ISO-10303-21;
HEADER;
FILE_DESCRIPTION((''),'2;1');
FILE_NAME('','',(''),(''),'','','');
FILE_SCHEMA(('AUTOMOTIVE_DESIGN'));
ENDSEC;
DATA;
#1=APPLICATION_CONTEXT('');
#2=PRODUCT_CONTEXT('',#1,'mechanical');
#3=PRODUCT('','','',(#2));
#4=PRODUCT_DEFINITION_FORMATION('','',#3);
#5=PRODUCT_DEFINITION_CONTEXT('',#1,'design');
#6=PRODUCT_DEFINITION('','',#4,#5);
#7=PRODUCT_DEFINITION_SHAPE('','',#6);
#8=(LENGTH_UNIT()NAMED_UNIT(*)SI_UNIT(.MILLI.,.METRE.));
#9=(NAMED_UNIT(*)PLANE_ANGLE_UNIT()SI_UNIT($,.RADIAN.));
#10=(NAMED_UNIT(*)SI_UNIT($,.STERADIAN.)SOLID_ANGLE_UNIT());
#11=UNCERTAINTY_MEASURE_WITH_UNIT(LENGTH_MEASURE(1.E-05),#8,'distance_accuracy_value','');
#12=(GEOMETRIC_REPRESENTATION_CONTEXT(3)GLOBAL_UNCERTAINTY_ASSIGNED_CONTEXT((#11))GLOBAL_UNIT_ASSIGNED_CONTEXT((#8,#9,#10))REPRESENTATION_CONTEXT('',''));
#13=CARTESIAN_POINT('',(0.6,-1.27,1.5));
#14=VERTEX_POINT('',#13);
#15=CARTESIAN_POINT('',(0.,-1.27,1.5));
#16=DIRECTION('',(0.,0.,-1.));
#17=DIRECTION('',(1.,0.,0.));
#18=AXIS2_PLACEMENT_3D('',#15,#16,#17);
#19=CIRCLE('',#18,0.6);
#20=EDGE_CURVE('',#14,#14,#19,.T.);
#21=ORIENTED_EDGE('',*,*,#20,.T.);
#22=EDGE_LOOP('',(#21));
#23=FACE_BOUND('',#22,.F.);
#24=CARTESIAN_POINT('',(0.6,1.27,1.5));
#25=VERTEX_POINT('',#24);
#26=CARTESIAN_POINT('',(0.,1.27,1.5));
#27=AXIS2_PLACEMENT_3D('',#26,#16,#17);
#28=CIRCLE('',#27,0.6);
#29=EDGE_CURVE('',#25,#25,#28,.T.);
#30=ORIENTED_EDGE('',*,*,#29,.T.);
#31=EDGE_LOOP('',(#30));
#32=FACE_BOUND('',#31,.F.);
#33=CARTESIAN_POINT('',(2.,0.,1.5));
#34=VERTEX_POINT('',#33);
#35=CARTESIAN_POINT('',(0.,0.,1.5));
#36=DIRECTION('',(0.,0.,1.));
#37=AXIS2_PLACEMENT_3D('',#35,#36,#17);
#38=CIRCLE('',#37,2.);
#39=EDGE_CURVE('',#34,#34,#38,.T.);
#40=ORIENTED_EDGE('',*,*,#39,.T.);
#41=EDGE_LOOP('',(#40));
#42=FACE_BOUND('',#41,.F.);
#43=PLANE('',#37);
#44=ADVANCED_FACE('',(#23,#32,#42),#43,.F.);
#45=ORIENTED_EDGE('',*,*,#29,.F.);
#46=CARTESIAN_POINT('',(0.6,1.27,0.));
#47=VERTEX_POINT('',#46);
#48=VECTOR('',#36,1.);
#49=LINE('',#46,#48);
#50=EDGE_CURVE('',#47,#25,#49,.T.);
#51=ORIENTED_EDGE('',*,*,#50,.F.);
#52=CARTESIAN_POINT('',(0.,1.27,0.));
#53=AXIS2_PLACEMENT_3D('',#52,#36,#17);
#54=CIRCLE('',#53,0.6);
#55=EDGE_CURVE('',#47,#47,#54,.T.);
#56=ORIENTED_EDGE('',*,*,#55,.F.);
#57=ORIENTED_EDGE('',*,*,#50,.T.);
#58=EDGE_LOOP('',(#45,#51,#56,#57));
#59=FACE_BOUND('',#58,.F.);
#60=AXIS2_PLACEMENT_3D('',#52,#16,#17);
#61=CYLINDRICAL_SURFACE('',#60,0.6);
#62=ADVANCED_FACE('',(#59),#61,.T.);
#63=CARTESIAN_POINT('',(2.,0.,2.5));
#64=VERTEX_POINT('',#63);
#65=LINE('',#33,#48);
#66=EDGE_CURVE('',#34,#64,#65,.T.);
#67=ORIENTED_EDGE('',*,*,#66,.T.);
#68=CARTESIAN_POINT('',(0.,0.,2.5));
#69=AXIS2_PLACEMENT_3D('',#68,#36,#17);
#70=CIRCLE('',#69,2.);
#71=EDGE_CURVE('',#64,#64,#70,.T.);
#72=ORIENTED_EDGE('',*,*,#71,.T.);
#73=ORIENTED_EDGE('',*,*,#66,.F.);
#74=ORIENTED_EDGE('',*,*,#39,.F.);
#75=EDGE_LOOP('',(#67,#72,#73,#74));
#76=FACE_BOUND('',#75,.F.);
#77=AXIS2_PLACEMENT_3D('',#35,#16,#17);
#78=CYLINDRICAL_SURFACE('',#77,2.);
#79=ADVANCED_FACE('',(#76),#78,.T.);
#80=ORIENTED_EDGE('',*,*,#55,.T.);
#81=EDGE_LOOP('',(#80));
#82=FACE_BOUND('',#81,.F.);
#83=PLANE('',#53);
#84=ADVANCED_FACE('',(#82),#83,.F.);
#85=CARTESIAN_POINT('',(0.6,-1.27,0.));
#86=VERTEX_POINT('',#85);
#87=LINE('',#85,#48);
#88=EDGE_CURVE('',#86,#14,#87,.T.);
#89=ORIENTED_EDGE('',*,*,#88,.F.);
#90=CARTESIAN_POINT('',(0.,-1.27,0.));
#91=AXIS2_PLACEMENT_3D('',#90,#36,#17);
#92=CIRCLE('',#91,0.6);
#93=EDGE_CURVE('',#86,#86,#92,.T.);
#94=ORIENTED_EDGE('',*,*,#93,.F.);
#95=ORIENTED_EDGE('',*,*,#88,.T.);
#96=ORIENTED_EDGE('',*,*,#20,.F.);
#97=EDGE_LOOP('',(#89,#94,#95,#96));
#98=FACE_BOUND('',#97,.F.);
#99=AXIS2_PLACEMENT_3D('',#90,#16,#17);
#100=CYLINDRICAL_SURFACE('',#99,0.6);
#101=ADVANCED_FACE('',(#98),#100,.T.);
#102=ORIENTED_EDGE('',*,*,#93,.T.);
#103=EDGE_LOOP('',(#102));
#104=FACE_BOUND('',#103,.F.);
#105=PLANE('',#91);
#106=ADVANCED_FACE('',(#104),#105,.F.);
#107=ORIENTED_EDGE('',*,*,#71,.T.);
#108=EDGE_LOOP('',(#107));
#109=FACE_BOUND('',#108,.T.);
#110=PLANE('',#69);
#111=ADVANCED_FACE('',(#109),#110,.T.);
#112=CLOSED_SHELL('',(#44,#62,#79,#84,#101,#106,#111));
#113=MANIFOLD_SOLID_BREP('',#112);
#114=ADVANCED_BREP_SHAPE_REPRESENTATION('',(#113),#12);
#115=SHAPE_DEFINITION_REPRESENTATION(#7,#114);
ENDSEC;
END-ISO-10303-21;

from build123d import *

# Parameters (mm, degrees)
CYLINDER003_R     = 0.6
CYLINDER003_DEPTH = 2.5
CYLINDER004_R     = 0.6
CYLINDER004_DEPTH = 2.5
CYLINDER002_R     = 2
CYLINDER002_DEPTH = 1


with BuildPart() as cylinder003:
    # Cylinder003 → Cylinder003 (new body)
    with BuildSketch(Plane(origin=(0, 1.27, 0), x_dir=(1, 0, 0), z_dir=(0, 0, 1))):
        Circle(CYLINDER003_R)
    extrude(amount=CYLINDER003_DEPTH)


with BuildPart() as cylinder004:
    # Cylinder004 → Cylinder004 (new body)
    with BuildSketch(Plane(origin=(0, -1.27, 0), x_dir=(1, 0, 0), z_dir=(0, 0, 1))):
        Circle(CYLINDER004_R)
    extrude(amount=CYLINDER004_DEPTH)


with BuildPart() as led_slot_template:
    # Cylinder002 → Cylinder002 (new body)
    with BuildSketch(Plane.XY.offset(1.5)):
        Circle(CYLINDER002_R)
    extrude(amount=CYLINDER002_DEPTH)

    # Fusion: union Cylinder003, Cylinder004
    add(cylinder003.part)
    add(cylinder004.part)


solid = led_slot_template.part
